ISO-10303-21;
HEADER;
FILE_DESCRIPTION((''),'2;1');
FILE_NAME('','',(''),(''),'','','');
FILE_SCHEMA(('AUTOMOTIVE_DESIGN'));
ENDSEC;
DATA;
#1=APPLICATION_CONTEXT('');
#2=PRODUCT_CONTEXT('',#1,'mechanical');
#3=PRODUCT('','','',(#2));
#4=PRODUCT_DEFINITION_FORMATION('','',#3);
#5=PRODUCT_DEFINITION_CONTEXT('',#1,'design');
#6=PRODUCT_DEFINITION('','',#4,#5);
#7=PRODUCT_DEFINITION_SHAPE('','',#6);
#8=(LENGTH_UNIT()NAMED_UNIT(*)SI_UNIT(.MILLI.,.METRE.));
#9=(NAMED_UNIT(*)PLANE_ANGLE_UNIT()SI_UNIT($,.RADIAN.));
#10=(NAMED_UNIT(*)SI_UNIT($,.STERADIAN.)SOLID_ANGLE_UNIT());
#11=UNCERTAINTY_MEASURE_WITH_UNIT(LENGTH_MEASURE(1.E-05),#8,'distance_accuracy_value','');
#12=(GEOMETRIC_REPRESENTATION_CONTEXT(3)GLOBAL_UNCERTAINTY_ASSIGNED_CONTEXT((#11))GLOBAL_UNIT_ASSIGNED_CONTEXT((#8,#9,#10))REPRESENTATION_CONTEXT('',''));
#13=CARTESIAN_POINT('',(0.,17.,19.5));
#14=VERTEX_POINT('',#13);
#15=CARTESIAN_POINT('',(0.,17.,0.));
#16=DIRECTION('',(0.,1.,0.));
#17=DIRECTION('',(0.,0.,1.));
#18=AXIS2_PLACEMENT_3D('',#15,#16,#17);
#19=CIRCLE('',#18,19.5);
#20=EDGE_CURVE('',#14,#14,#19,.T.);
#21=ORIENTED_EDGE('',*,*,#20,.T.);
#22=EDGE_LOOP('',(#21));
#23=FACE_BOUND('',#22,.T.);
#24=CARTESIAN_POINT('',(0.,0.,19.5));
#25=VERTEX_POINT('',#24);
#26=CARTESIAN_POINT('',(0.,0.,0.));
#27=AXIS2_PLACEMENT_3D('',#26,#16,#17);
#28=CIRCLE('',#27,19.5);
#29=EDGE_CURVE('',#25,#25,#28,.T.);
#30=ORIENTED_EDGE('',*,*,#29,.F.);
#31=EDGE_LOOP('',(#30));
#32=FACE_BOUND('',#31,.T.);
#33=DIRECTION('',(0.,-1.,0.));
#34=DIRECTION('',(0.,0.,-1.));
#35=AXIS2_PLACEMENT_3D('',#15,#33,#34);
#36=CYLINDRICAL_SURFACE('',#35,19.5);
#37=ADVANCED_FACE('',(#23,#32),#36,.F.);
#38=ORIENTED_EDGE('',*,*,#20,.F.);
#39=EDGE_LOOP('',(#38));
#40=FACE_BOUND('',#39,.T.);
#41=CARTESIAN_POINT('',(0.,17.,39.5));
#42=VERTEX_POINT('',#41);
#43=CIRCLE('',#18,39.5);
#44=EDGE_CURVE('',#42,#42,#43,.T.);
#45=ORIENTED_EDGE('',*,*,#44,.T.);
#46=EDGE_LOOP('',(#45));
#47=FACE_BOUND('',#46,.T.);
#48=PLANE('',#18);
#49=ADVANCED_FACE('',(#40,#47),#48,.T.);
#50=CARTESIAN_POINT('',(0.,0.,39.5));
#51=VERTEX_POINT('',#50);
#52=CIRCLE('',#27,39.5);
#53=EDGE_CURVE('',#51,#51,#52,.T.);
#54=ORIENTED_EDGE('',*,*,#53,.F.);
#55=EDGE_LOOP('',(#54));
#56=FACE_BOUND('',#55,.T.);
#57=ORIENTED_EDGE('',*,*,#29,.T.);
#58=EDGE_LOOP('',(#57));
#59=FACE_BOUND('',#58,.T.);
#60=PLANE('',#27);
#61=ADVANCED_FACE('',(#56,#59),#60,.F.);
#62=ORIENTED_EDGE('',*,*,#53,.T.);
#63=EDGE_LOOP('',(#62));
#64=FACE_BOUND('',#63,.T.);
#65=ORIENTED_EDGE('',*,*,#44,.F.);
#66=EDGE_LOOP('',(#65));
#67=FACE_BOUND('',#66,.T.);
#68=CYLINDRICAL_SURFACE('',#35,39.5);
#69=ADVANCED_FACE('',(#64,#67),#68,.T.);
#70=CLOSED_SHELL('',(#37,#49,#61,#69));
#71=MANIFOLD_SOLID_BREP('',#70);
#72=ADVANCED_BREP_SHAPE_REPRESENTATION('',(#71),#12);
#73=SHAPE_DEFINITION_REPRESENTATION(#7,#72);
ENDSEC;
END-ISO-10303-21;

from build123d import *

# Parameters (mm, degrees)
SKETCH_1_R      = 39.5
SKETCH_1_R_2    = 19.5
EXTRUDE_1_DEPTH = 17


with BuildPart() as part:
    # 草图1 → 凸台-拉伸1 (new body)
    with BuildSketch(Plane(origin=(0, 0, 0), x_dir=(1, 0, 0), z_dir=(0, 1, 0))):
        with Locations(Location((0, 0, 0), (0, 0, 270))):
            Circle(SKETCH_1_R)
        with Locations(Location((0, 0, 0), (0, 0, 270))):
            Circle(SKETCH_1_R_2, mode=Mode.SUBTRACT)
    extrude(amount=EXTRUDE_1_DEPTH)


solid = part.part
